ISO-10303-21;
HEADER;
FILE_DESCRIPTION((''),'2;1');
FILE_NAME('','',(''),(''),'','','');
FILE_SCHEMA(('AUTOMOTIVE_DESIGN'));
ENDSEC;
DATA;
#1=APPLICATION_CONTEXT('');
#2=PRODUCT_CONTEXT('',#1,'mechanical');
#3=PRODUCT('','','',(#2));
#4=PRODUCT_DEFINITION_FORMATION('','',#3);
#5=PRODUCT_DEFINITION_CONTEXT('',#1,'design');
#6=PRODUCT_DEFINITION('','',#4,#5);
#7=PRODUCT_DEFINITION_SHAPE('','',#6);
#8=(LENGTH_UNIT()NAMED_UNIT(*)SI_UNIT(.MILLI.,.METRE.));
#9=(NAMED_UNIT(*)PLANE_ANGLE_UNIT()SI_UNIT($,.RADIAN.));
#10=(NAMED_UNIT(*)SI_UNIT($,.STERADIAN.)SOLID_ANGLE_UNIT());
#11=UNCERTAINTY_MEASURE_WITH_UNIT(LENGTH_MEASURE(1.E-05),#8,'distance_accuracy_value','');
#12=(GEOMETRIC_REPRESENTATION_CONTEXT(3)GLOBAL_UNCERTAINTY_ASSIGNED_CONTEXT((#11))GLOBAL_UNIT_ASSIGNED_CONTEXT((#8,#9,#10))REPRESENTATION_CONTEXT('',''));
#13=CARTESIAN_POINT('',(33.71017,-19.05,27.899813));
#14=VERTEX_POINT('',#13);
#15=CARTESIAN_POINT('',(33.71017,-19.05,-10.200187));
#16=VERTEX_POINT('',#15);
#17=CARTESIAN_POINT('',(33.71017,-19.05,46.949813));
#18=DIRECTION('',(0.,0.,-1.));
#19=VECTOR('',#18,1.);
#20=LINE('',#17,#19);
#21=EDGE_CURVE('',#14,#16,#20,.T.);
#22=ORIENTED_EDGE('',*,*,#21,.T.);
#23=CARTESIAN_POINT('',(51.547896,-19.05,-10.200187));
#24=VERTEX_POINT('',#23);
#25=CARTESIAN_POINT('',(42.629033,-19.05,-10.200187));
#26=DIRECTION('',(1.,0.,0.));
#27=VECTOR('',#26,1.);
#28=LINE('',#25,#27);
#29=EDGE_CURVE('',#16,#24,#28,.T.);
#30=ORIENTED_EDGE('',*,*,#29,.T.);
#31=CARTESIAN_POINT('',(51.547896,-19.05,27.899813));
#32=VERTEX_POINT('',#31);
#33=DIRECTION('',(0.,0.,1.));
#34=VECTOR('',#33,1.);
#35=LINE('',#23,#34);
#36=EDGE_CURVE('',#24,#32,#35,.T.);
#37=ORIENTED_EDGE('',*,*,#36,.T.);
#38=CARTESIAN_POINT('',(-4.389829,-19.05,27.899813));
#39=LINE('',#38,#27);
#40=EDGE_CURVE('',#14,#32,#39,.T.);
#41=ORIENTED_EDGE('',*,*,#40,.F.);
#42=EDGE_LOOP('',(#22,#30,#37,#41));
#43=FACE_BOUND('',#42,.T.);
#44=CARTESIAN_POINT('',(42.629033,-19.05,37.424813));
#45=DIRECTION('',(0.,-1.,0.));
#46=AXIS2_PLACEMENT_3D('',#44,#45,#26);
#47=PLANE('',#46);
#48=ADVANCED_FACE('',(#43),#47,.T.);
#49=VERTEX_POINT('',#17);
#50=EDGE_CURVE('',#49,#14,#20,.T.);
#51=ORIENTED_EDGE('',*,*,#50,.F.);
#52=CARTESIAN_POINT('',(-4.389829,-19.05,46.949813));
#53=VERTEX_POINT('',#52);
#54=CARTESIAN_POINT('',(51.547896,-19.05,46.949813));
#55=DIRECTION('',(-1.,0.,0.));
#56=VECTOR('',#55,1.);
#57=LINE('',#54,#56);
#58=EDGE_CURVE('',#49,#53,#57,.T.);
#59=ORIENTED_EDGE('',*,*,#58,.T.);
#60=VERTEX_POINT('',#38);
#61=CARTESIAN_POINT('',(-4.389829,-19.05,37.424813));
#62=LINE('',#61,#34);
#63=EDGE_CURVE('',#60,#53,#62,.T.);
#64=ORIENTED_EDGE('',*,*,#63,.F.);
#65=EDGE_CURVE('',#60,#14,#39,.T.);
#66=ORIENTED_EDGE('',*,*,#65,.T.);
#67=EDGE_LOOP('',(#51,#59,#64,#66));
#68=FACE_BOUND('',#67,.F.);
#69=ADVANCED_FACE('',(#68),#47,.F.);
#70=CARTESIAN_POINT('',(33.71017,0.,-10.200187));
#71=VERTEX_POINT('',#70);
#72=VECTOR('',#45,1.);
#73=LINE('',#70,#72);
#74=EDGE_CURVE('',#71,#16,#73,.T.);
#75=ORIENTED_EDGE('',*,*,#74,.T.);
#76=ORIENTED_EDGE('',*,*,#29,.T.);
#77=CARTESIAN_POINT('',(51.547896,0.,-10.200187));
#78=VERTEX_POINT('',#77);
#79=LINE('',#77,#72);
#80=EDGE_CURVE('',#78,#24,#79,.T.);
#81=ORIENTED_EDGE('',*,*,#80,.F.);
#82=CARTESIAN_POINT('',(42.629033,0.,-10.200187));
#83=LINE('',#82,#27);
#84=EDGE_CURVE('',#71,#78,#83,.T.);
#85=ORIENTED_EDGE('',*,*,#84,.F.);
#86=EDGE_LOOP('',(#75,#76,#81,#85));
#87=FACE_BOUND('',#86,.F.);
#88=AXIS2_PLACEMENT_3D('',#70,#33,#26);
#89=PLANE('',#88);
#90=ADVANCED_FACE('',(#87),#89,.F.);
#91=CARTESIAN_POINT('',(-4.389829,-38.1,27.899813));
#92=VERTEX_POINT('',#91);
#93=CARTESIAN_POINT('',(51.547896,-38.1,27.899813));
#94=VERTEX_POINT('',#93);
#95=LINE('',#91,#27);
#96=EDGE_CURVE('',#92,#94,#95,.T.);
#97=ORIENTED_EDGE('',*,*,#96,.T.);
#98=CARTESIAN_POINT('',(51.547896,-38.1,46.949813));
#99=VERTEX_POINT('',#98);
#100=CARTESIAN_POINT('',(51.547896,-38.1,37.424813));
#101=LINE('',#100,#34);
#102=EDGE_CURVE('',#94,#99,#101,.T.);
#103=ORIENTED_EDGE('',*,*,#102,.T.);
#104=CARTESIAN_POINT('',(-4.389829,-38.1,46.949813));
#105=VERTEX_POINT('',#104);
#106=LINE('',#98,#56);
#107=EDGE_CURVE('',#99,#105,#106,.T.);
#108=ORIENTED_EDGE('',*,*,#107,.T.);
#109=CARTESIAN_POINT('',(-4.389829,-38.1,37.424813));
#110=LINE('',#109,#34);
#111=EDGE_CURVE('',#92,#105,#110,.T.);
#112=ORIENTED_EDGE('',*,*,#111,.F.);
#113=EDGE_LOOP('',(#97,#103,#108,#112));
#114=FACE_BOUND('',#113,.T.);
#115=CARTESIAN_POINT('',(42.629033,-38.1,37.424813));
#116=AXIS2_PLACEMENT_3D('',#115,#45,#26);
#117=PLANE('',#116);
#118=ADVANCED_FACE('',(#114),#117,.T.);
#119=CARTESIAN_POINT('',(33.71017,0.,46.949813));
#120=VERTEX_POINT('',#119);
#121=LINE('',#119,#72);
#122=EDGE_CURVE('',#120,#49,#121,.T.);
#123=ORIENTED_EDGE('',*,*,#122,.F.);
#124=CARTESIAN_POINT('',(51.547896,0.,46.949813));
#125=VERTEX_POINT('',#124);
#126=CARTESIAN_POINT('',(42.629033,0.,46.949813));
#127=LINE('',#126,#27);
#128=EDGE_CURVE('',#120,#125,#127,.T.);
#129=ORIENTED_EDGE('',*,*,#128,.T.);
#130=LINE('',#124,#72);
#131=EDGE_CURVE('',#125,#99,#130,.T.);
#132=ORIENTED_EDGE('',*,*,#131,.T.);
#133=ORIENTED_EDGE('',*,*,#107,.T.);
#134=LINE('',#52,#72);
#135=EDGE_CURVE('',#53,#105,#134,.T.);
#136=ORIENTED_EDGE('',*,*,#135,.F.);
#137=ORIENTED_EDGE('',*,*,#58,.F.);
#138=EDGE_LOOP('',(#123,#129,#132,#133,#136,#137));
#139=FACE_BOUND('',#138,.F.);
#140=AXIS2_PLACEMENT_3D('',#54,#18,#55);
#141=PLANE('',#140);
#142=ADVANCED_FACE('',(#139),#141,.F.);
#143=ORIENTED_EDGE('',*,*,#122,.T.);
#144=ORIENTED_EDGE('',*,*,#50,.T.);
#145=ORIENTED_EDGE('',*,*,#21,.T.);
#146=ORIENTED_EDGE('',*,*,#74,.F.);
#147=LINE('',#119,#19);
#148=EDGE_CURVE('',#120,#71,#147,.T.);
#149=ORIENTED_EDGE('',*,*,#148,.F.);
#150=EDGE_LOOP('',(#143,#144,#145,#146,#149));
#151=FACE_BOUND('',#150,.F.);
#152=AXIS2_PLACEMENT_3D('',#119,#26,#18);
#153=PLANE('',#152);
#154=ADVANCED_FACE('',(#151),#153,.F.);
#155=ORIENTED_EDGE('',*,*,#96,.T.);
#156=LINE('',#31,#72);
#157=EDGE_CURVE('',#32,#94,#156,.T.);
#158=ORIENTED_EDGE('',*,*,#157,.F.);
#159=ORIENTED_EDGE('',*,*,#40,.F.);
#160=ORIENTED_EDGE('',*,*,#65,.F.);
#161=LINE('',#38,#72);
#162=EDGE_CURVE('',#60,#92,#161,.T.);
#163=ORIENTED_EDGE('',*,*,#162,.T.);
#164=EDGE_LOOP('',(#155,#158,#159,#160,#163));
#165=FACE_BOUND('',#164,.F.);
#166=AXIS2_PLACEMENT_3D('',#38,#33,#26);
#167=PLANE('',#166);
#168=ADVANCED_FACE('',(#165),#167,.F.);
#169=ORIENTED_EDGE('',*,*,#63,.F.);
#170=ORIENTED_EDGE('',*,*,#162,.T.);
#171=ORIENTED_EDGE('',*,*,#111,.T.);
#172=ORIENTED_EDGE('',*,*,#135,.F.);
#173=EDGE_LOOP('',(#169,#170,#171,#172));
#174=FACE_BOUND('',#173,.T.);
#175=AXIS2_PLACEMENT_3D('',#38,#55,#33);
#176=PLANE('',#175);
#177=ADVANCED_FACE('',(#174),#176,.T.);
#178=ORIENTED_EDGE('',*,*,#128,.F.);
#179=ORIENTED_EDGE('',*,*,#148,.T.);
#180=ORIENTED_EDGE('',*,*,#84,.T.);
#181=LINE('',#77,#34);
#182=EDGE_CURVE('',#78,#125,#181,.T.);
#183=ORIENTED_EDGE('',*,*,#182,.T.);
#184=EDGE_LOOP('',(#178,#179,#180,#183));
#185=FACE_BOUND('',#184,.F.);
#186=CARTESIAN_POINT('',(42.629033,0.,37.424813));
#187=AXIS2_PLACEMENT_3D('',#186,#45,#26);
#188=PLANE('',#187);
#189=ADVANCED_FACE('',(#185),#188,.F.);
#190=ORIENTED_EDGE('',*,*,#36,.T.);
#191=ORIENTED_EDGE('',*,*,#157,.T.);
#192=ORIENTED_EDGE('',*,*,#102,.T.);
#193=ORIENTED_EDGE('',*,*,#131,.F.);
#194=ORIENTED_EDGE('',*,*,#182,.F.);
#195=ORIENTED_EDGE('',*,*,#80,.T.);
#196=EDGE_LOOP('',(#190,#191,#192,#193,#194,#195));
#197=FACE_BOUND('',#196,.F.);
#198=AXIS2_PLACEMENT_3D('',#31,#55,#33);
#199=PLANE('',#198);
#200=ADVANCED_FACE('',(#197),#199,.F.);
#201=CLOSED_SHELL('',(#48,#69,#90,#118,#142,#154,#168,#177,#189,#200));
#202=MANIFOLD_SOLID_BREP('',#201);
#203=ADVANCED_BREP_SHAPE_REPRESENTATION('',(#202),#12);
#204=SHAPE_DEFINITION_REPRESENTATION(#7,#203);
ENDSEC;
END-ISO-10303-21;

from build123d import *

# Parameters (mm, degrees)
F0_W     = 17.837725
F0_H     = 19.05
F1_DEPTH = 19.05
F2_W     = 17.837725
F2_H     = 19.05
F2_W_2   = 19.05
F3_DEPTH = 19.05


with BuildPart() as f1:
    # F0 (on Front) → F1 (new body)
    with BuildSketch(Plane.XZ):
        with Locations((42.629033, 37.424813)):
            Rectangle(F0_W, F0_H)
        with Locations((42.629033, 18.374813)):
            Rectangle(F0_W, F0_H)
        with Locations((42.629033, -0.675187)):
            Rectangle(F0_W, F0_H)
    extrude(amount=F1_DEPTH)

    # F2 (on face) → F3 (join)
    with BuildSketch(Plane.XZ.offset(19.05)):
        with Locations((42.629033, 37.424813)):
            Rectangle(F2_W, F2_H)
        with Locations((24.185171, 37.424813)):
            Rectangle(F2_W_2, F2_H)
        with Locations((5.135171, 37.424813)):
            Rectangle(F2_W_2, F2_H)
    extrude(amount=F3_DEPTH)


solid = f1.part
